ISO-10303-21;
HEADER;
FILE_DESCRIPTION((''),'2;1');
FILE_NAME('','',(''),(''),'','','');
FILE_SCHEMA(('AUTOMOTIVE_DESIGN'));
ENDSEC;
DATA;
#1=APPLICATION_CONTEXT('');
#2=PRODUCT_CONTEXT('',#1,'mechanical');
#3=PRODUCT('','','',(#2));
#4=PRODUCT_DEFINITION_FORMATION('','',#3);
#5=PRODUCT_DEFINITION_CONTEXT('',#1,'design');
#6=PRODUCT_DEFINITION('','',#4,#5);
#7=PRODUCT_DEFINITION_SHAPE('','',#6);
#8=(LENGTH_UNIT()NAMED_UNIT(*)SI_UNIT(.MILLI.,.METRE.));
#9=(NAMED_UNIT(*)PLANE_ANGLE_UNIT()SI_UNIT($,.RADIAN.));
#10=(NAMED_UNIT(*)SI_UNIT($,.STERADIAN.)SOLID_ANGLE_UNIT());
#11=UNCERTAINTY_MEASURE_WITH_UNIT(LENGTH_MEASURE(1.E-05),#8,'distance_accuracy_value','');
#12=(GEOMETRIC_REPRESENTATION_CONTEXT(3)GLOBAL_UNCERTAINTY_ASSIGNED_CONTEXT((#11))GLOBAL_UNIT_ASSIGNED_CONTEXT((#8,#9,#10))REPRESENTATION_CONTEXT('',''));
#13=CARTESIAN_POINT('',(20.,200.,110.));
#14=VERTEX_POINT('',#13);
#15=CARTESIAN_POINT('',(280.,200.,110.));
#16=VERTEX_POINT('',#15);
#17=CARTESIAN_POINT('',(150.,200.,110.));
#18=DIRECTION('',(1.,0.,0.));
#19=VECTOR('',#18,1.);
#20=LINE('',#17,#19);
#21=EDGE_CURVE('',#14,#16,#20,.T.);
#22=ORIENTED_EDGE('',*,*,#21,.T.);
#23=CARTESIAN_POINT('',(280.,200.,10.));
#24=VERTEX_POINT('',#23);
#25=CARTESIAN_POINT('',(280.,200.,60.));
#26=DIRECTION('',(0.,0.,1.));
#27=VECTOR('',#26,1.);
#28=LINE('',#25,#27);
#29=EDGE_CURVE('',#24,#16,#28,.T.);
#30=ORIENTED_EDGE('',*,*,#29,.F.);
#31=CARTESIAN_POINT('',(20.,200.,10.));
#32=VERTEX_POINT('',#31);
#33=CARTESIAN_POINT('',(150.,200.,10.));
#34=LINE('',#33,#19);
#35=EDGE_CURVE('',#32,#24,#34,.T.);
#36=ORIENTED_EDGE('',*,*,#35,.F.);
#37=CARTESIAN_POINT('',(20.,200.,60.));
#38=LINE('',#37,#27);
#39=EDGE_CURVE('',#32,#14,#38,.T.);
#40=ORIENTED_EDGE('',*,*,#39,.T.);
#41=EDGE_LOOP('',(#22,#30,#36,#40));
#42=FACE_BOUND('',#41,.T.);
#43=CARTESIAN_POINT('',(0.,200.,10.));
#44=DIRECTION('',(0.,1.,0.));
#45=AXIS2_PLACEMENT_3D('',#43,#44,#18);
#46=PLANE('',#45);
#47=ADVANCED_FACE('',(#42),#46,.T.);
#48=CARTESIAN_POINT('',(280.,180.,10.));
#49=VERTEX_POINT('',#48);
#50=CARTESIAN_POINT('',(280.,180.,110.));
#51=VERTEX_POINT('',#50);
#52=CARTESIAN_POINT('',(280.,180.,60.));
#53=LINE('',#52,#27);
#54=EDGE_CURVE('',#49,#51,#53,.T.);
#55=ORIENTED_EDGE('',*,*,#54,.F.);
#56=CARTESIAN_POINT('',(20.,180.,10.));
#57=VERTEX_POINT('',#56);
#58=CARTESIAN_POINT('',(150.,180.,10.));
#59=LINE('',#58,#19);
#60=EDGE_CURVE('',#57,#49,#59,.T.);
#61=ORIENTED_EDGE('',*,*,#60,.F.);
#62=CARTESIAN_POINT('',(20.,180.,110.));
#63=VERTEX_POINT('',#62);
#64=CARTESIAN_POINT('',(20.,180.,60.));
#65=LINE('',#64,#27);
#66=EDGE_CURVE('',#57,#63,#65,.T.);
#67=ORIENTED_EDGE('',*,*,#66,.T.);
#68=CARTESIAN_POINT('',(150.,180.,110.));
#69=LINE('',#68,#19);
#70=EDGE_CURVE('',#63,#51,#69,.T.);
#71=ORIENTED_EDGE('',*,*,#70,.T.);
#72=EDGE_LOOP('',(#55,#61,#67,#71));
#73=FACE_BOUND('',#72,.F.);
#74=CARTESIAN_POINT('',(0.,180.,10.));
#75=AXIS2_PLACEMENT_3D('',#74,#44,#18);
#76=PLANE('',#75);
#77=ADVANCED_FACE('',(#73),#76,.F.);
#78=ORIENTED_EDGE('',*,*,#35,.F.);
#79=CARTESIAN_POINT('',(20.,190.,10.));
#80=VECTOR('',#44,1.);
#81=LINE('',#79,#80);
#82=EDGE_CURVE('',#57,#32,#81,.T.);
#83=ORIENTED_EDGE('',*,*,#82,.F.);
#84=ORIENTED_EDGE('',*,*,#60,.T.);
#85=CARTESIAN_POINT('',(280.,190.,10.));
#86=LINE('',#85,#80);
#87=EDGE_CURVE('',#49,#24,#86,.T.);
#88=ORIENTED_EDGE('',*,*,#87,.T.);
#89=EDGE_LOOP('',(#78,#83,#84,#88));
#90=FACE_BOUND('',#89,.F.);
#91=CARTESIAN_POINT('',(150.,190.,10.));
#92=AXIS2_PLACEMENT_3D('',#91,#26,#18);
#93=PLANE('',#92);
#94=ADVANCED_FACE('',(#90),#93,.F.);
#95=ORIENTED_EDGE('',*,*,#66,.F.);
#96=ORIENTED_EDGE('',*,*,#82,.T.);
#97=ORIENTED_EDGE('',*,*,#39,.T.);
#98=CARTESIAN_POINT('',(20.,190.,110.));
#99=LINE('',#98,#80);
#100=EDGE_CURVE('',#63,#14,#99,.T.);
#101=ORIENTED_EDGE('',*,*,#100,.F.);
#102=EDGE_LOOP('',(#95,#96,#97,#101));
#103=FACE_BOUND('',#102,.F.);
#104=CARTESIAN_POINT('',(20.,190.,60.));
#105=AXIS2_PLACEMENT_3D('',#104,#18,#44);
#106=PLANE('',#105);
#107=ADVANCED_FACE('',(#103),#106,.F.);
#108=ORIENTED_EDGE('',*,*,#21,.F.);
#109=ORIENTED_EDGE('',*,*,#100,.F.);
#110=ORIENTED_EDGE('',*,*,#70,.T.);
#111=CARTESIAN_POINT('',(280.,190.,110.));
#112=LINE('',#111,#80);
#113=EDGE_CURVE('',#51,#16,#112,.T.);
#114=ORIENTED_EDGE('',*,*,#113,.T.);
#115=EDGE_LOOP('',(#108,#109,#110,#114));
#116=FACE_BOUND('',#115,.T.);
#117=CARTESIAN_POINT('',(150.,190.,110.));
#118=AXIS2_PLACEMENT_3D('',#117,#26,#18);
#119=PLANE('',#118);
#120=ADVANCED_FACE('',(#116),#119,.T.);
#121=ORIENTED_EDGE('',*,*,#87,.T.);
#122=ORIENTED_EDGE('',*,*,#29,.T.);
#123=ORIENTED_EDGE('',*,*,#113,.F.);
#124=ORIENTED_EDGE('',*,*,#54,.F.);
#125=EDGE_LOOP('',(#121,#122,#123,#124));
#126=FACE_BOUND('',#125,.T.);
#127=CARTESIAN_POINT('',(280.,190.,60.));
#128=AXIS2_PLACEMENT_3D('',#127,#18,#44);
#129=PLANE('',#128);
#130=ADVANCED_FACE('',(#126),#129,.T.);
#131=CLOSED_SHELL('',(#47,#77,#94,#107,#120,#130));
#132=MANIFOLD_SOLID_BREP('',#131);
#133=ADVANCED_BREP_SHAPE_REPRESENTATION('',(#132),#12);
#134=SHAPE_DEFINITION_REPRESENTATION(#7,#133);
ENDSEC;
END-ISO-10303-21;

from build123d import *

# Parameters (mm, degrees)
SKETCH009_W  = 20
SKETCH009_H  = 100
PAD008_DEPTH = 20
SKETCH008_W  = 20
SKETCH008_H  = 100
PAD009_DEPTH = 20
BOX011_W     = 300
BOX011_H     = 20
BOX011_DEPTH = 100


with BuildPart() as pad008:
    # Sketch009 → Pad008 (new body)
    with BuildSketch(Plane(origin=(0, 0, 10), x_dir=(0, 1, 0), z_dir=(1, 0, 0))):
        with Locations((10, 50)):
            Rectangle(SKETCH009_W, SKETCH009_H)
    extrude(amount=PAD008_DEPTH)


with BuildPart() as back_parts_cut:
    # Sketch008 → Pad009 (new body)
    with BuildSketch(Plane(origin=(300, 0, 10), x_dir=(0, 1, 0), z_dir=(1, 0, 0))):
        with Locations((10, 50)):
            Rectangle(SKETCH008_W, SKETCH008_H)
    extrude(amount=-PAD009_DEPTH)

    # Fusion003: union Pad008
    add(pad008.part)


with BuildPart() as back_cut:
    # Box011 → Box011 (new body)
    with BuildSketch(Plane.XY.offset(10)):
        with Locations((150, 10)):
            Rectangle(BOX011_W, BOX011_H)
    extrude(amount=BOX011_DEPTH)

    # Cut003: cut Back, parts cut
    add(back_parts_cut.part, mode=Mode.SUBTRACT)


with BuildPart() as back_cut_1:
    # Cut003 placement: moved
    add(back_cut.part.moved(Location((0, 180, 0))))


solid = back_cut_1.part
